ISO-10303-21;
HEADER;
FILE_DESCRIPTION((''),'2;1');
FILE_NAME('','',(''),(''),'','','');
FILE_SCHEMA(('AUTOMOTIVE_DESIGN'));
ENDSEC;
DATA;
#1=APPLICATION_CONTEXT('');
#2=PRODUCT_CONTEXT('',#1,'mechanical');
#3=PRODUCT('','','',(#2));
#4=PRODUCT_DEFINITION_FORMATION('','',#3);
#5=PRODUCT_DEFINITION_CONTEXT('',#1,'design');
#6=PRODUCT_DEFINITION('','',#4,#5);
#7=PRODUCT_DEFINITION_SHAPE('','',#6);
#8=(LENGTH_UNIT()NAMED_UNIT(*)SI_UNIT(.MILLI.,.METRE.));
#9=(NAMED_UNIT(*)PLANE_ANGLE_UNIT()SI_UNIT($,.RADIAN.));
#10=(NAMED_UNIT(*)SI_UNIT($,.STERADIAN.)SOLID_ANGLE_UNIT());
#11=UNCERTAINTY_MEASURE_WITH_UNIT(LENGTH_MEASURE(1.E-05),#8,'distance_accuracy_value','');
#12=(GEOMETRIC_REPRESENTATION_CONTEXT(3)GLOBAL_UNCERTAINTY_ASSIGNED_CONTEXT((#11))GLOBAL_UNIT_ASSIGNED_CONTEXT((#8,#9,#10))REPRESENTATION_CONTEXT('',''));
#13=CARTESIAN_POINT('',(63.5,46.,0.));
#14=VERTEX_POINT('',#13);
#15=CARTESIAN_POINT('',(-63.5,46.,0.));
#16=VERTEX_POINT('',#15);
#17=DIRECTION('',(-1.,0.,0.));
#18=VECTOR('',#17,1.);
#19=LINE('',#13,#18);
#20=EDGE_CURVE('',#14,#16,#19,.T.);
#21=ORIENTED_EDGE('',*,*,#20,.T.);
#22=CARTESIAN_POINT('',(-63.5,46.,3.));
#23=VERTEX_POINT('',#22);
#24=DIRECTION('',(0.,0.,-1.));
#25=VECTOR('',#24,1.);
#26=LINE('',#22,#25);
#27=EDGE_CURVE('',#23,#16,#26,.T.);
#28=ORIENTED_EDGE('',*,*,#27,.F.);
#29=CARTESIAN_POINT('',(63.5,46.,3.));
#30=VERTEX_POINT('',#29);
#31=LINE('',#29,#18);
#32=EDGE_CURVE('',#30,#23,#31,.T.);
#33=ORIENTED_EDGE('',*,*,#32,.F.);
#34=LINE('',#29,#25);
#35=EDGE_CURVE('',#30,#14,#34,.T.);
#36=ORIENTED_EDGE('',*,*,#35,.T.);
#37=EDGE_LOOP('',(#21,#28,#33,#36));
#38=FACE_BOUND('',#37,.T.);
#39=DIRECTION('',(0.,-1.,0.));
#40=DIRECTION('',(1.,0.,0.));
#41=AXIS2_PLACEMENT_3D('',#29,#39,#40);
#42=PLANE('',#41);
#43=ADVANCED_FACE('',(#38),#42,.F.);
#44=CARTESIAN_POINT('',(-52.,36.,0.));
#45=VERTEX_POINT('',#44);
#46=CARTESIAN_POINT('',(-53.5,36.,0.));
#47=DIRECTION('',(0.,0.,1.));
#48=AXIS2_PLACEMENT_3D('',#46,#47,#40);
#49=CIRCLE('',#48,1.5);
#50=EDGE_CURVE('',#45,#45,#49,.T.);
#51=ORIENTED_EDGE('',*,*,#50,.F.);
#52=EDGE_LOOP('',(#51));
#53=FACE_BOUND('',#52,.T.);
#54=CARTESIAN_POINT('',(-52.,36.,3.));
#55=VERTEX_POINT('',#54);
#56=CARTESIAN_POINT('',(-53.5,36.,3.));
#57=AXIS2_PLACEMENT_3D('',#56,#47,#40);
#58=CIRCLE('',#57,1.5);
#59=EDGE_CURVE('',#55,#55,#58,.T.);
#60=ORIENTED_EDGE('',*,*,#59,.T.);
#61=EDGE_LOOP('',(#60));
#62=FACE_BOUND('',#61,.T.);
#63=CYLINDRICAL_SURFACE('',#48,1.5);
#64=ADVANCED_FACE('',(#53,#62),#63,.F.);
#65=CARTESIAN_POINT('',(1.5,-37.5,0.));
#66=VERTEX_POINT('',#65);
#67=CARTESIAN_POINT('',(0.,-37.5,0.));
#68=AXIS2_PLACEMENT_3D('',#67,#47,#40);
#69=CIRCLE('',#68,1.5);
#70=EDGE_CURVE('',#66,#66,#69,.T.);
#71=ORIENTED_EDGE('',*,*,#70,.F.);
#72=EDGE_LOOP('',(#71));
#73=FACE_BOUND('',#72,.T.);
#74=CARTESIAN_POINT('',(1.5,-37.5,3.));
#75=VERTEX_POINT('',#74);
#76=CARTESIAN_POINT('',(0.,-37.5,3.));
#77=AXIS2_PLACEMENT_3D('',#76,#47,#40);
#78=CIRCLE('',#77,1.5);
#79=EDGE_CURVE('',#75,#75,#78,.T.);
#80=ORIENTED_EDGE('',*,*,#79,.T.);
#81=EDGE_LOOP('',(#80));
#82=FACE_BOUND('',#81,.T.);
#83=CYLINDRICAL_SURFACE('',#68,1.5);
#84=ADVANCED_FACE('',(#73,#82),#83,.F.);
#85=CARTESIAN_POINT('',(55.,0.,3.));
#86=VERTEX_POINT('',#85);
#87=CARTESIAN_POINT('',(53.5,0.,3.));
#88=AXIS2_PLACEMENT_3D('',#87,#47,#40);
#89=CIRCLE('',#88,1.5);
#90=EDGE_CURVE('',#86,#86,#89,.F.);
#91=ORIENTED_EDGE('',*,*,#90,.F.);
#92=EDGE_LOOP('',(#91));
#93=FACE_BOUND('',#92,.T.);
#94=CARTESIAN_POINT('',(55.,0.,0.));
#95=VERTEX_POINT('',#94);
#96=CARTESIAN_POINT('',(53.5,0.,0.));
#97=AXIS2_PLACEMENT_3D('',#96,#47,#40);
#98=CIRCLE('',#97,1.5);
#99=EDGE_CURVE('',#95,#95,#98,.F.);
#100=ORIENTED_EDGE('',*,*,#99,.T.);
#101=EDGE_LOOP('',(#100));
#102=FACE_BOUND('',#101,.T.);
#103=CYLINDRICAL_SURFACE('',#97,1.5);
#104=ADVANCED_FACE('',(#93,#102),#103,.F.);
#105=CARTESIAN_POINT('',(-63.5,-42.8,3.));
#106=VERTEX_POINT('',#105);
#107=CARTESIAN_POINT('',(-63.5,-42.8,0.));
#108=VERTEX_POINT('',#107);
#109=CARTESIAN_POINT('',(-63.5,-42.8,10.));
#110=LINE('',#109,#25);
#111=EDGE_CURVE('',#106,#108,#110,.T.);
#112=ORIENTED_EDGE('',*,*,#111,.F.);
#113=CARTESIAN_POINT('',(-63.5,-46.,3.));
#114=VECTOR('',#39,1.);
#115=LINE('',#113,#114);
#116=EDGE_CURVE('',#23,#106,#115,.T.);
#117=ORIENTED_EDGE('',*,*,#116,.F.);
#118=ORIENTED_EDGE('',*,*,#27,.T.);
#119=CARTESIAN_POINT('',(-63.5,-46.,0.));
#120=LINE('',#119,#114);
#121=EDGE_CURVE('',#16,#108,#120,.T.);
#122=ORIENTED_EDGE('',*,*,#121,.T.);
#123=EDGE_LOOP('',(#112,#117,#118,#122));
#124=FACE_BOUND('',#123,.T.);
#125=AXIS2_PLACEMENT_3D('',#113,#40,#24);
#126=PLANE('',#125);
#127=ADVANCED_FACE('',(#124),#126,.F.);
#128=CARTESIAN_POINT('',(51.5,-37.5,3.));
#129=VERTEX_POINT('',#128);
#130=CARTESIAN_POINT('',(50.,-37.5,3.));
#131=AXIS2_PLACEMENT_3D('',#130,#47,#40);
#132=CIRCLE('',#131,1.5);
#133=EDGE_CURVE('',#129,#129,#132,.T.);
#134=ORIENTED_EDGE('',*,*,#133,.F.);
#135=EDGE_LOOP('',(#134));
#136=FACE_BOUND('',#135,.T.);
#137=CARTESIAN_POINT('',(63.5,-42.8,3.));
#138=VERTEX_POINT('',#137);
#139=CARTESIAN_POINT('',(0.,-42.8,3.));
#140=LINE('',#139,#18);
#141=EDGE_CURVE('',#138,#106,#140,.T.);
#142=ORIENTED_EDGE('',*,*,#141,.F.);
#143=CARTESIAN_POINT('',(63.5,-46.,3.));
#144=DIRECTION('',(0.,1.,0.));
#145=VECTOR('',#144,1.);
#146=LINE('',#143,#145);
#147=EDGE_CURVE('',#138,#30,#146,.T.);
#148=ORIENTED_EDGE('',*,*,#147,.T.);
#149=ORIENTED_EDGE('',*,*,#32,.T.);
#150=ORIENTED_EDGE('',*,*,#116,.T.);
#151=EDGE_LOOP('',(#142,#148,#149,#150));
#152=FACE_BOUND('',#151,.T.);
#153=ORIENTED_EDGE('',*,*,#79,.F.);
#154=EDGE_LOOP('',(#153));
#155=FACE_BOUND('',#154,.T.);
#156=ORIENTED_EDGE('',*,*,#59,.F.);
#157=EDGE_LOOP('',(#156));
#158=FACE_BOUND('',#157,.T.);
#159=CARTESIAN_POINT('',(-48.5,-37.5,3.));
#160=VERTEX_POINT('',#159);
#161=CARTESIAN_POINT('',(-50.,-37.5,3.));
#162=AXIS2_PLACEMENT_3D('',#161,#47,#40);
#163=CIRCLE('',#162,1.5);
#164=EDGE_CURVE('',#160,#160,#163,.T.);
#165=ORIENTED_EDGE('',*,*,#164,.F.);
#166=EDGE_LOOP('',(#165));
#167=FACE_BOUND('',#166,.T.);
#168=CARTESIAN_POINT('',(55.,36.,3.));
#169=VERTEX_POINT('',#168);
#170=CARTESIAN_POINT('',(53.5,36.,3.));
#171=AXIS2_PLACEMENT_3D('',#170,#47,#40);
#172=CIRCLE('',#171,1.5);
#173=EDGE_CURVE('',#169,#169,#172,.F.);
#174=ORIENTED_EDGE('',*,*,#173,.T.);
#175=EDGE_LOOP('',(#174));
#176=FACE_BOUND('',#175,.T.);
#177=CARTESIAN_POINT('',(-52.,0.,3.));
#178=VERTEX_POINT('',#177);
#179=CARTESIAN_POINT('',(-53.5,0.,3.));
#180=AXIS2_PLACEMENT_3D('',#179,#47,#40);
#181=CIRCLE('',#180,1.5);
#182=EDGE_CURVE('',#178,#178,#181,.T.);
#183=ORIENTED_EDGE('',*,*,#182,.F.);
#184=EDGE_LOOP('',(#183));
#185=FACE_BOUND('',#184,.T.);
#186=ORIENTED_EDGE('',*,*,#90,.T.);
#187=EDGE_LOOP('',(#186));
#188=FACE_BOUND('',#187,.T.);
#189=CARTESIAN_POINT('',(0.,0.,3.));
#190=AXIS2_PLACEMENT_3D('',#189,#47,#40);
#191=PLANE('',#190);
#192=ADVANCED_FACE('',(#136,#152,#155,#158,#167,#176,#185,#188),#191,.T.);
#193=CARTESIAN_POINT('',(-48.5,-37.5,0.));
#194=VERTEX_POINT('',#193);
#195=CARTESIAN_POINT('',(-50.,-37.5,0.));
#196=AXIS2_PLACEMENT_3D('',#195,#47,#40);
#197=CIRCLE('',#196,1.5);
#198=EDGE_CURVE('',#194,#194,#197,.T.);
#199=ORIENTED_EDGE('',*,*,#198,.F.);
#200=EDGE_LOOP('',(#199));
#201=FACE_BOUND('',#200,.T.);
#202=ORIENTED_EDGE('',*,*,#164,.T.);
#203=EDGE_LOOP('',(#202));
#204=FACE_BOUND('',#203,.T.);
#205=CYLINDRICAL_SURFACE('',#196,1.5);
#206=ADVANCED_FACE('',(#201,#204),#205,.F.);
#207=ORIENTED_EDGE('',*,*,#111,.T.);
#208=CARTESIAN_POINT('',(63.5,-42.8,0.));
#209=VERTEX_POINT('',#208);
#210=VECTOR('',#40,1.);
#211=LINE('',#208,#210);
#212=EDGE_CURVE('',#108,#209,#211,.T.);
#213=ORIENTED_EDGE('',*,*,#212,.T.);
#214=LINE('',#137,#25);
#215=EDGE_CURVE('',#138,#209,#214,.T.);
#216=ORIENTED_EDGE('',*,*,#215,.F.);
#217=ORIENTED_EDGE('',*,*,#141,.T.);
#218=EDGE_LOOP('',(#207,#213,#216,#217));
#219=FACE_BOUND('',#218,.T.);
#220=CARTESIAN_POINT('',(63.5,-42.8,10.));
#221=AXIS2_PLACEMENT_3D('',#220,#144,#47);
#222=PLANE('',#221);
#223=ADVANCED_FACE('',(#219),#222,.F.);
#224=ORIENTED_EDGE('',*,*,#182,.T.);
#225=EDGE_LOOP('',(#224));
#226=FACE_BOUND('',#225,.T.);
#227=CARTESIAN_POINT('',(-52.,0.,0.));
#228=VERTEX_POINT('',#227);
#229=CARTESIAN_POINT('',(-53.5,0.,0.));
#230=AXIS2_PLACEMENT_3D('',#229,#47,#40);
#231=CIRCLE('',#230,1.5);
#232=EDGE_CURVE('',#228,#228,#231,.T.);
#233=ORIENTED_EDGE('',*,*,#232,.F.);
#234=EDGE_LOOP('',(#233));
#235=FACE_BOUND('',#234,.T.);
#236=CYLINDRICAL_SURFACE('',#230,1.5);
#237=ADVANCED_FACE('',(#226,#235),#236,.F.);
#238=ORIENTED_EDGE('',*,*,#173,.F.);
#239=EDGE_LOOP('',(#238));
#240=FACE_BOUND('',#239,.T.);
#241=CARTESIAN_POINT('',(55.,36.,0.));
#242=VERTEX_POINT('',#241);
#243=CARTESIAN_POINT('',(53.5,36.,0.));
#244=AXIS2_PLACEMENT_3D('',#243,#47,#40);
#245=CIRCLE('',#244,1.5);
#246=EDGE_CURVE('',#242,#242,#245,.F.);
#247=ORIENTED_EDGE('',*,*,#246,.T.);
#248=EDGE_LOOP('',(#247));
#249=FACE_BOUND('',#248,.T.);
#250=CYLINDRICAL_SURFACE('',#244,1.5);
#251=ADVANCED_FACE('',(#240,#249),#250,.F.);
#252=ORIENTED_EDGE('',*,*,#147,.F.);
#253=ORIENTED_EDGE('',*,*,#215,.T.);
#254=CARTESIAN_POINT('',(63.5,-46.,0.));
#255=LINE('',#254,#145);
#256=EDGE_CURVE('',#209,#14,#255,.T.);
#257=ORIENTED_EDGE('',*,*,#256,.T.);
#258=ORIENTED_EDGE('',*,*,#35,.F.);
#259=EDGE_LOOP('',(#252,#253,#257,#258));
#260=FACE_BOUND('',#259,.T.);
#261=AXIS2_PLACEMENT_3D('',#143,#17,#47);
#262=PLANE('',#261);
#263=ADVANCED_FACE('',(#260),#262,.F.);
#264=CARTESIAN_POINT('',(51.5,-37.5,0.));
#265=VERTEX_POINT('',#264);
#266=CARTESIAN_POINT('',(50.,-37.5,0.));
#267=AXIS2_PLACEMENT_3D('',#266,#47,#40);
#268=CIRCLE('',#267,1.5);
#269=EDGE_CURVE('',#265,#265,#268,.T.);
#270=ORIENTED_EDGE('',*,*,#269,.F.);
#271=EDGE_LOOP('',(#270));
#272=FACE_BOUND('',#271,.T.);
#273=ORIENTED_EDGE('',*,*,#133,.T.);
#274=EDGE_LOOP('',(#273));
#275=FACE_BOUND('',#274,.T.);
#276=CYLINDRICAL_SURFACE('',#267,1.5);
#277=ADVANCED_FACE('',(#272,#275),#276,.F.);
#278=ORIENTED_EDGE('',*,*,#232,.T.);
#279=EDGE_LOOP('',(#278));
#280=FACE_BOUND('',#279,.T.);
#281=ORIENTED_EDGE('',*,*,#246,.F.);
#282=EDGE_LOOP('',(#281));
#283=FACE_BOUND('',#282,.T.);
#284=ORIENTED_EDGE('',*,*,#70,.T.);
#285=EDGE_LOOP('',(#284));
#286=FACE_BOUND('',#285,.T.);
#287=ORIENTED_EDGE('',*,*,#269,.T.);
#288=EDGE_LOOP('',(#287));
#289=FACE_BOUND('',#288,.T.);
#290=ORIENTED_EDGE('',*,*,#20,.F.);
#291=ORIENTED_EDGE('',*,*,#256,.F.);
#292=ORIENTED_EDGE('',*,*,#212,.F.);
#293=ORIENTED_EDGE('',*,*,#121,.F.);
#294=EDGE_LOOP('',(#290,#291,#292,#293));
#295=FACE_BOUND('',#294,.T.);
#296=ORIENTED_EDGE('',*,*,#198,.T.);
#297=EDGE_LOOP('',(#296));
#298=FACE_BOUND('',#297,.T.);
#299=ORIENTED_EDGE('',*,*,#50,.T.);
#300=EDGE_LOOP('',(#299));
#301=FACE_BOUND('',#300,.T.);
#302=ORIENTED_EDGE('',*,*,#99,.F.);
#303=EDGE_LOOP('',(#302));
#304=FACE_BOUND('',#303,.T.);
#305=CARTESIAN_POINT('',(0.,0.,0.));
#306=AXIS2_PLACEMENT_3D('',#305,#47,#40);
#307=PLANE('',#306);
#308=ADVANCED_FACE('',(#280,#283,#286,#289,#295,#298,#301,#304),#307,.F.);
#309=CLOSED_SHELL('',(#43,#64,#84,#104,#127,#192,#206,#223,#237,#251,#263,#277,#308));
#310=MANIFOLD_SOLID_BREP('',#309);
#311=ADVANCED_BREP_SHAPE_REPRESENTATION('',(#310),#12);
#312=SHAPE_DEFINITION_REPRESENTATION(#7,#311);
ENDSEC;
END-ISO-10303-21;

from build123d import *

# Parameters (mm, degrees)
SKETCH_1_W          = 127
SKETCH_1_H          = 92
EXTRUDE_1_DEPTH     = 3
SKETCH_2_R          = 1.5
CUT_EXTRUDE_1_DEPTH = 79.468146403
SKETCH_3_R          = 1.5
CUT_EXTRUDE_2_DEPTH = 79.468146403
SKETCH_4_W          = 127
SKETCH_4_H          = 3.2
CUT_EXTRUDE_3_DEPTH = 10


with BuildPart() as part:
    # 草图1 → 凸台-拉伸1 (new body)
    with BuildSketch(Plane.XY):
        Rectangle(SKETCH_1_W, SKETCH_1_H)
    extrude(amount=EXTRUDE_1_DEPTH)

    # 草图2 → 切除-拉伸1 (cut, through all)
    with BuildSketch(Plane.XY.offset(3)):
        with Locations((0, -37.5)):
            Circle(SKETCH_2_R)
        with Locations((50, -37.5)):
            Circle(SKETCH_2_R)
        with Locations((-50, -37.5)):
            Circle(SKETCH_2_R)
    extrude(amount=-CUT_EXTRUDE_1_DEPTH, mode=Mode.SUBTRACT)

    # 草图3 → 切除-拉伸2 (cut, through all)
    with BuildSketch(Plane.XY.offset(3)):
        with Locations((-53.5, 36)):
            Circle(SKETCH_3_R)
        with Locations((53.5, 36)):
            Circle(SKETCH_3_R)
        with Locations((-53.5, 0)):
            Circle(SKETCH_3_R)
        with Locations((53.5, 0)):
            Circle(SKETCH_3_R)
    extrude(amount=-CUT_EXTRUDE_2_DEPTH, mode=Mode.SUBTRACT)

    # 草图4 → 切除-拉伸3 (cut)
    with BuildSketch(Plane(origin=(0, 0, 0), x_dir=(-1, 0, 0), z_dir=(0, 0, -1))):
        with Locations((0, -44.4)):
            Rectangle(SKETCH_4_W, SKETCH_4_H)
    extrude(amount=-CUT_EXTRUDE_3_DEPTH, mode=Mode.SUBTRACT)


solid = part.part
